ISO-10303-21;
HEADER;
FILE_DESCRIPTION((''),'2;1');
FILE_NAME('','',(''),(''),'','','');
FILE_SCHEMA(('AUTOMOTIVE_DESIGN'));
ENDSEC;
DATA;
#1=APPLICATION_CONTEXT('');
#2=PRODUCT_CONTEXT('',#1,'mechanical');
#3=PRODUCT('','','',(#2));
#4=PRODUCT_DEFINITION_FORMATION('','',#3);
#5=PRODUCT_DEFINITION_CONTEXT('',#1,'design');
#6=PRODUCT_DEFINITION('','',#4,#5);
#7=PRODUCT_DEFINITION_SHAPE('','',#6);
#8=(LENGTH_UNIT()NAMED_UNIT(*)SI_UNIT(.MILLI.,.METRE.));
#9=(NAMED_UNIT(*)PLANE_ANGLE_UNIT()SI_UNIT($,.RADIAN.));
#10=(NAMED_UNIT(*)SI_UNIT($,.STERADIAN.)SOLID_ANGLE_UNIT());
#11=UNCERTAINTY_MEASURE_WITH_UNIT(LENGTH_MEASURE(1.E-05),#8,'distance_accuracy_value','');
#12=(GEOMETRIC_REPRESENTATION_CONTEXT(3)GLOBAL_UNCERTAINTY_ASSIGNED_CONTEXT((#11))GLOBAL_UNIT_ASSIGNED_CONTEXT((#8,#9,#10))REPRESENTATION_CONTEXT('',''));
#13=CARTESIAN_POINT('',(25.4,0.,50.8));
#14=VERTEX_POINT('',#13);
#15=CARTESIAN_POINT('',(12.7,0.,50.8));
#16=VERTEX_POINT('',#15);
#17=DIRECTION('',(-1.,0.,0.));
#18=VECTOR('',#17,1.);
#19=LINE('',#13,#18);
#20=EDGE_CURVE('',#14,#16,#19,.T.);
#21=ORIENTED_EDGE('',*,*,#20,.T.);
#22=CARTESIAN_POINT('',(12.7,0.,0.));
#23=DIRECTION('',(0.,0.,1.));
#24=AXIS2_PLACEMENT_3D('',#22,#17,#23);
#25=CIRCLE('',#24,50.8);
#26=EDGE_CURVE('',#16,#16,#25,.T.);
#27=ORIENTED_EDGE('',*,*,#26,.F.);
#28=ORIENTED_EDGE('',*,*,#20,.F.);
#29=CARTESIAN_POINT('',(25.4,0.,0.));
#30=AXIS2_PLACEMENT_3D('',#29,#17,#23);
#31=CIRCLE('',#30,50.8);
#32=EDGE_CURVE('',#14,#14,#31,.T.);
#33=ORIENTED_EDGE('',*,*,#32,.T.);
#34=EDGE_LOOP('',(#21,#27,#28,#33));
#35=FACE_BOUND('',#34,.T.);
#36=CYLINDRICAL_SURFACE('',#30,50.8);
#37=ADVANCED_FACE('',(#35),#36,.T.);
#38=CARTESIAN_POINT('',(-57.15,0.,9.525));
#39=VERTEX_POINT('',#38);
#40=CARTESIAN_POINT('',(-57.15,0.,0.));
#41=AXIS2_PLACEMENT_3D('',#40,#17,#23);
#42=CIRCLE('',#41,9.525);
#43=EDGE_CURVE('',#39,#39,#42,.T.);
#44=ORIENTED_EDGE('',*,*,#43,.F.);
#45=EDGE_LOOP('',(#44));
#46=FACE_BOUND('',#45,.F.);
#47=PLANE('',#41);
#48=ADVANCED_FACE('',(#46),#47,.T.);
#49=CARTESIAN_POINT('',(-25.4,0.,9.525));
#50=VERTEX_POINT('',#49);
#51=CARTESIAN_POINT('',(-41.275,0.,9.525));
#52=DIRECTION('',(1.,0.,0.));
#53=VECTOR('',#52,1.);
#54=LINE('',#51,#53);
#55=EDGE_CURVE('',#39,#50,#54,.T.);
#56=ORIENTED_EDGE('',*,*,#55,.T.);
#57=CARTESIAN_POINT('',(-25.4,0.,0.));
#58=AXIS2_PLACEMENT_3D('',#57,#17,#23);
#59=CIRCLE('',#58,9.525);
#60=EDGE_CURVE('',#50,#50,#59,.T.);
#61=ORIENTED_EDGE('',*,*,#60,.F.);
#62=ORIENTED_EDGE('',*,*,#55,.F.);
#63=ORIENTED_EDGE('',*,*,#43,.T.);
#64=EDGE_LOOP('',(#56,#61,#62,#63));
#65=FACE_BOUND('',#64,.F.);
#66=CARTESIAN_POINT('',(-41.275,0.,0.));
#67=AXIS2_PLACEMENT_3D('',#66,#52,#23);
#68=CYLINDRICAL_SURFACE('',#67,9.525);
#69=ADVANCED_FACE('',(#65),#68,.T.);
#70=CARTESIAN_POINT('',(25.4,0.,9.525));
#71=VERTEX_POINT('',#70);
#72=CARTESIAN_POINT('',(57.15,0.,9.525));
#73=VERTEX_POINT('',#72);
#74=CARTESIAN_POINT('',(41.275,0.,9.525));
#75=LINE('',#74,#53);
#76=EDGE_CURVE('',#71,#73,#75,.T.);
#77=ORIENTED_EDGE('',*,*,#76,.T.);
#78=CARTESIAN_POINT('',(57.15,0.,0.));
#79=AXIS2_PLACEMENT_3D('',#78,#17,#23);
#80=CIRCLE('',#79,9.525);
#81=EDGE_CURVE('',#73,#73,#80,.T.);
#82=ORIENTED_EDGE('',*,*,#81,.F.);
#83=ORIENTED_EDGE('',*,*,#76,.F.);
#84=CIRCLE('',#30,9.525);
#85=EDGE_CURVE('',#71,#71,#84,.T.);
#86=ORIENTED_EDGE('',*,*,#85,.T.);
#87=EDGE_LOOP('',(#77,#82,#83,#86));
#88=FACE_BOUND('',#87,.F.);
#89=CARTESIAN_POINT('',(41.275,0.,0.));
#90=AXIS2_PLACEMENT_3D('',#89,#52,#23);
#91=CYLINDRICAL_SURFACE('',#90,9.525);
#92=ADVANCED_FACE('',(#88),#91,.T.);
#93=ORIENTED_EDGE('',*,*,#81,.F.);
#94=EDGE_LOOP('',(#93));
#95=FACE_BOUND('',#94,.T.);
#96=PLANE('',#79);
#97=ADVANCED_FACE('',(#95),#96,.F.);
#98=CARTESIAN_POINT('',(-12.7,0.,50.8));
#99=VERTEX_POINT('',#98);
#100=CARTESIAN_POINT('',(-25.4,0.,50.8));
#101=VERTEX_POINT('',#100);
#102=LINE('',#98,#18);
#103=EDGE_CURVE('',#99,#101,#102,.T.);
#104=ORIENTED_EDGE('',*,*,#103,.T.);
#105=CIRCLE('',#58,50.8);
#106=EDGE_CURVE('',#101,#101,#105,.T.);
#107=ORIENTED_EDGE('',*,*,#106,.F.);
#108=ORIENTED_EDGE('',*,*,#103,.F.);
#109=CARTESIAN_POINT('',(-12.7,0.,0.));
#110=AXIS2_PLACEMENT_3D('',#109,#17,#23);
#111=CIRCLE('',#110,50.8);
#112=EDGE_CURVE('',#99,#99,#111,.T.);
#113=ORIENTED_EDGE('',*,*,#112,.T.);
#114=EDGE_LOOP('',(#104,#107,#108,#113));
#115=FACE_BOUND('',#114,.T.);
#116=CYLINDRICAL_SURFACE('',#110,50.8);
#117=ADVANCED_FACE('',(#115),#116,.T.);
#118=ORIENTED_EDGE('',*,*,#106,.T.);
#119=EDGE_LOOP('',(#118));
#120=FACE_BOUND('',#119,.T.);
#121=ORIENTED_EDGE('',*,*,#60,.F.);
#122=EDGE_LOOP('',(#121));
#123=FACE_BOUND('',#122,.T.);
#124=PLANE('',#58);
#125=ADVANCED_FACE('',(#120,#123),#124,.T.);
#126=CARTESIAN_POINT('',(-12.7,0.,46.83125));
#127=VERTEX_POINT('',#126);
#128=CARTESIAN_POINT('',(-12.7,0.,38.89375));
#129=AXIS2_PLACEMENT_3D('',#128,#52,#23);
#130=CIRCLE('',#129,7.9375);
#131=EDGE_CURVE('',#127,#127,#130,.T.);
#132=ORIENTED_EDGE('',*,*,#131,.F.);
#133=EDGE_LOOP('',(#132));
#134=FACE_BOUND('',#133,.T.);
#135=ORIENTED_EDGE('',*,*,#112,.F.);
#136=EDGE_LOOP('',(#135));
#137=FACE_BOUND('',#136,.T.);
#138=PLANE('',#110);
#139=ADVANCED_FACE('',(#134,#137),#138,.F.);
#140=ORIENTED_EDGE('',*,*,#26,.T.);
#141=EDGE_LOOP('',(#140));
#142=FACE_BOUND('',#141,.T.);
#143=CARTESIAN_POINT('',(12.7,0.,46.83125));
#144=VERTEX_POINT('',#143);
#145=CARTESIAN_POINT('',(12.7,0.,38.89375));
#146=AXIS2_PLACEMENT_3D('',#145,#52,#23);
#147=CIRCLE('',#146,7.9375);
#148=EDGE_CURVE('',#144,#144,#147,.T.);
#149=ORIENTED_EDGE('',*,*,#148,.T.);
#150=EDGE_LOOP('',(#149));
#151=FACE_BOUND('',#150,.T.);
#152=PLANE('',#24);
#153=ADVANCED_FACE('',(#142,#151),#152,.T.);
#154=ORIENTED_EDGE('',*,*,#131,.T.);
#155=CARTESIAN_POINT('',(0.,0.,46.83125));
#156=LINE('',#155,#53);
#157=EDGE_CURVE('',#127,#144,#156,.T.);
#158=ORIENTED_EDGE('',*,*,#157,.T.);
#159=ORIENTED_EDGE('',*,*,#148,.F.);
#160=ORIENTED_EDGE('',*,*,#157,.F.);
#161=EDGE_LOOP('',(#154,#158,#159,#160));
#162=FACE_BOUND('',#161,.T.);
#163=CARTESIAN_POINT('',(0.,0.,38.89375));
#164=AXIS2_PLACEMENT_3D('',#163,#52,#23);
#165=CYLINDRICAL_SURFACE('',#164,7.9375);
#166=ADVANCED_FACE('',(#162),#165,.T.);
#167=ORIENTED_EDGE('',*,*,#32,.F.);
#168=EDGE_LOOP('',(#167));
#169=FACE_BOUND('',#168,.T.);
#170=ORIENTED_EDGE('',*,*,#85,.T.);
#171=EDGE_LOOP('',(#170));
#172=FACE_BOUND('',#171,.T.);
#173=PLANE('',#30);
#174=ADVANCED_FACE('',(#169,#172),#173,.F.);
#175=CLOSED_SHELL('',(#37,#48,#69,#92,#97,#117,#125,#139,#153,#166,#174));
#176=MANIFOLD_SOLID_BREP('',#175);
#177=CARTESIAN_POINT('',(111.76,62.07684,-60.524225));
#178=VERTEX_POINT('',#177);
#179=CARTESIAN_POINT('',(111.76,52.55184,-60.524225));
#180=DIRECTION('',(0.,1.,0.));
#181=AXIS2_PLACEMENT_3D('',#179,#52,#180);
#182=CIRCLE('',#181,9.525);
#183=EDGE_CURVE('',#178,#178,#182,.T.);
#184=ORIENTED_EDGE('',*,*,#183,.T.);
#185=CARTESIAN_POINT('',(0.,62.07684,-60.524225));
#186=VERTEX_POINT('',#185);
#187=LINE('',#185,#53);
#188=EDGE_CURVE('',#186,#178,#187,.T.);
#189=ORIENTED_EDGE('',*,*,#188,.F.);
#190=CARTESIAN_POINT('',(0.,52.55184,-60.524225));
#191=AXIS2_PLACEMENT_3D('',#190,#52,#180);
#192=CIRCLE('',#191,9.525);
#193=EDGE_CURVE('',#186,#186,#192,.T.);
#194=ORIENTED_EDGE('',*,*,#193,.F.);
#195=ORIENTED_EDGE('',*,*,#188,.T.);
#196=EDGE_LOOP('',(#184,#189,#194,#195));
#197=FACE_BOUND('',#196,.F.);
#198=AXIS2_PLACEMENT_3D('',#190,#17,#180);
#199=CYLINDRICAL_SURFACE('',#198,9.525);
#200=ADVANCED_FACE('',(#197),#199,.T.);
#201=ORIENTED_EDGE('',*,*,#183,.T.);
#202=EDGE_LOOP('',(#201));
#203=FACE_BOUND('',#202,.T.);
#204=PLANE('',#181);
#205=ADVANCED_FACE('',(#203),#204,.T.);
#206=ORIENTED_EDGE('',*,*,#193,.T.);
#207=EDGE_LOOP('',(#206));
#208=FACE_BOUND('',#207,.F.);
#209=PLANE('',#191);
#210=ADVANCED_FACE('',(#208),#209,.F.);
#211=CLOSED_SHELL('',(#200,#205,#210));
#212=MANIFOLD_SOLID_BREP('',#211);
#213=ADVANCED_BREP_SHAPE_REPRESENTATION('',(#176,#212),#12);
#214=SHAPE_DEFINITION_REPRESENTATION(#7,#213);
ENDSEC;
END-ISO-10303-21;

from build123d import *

# Parameters (mm, degrees)
F0_W     = 31.75
F0_H     = 9.525
F2_W     = 25.4
F2_H     = 7.9375
F4_R     = 9.525
F5_DEPTH = 111.76


with BuildPart() as f1:
    # F0 (on Front) → F1 (revolve)
    with BuildSketch(Plane.XZ):
        with Locations((-41.275, 4.7625)):
            Rectangle(F0_W, F0_H)
        Polygon((-25.4, 9.525), (-25.4, 0), (-12.7, 0), (-12.7, 38.89375), (-12.7, 46.83125), (-12.7, 50.8), (-25.4, 50.8), align=None)
    revolve(axis=Axis((-41.275, 0, 0), (-1, 0, 0)))



with BuildPart() as f1b:
    # F0 (on Front) → F1, piece 2 (revolve)
    with BuildSketch(Plane.XZ):
        Polygon((12.7, 46.83125), (12.7, 38.89375), (12.7, 0), (25.4, 0), (25.4, 9.525), (25.4, 50.8), (12.7, 50.8), align=None)
        with Locations((41.275, 4.7625)):
            Rectangle(F0_W, F0_H)
    revolve(axis=Axis((-41.275, 0, 0), (-1, 0, 0)))


with BuildPart() as f1_1:
    add(f1.part)

    add(f1b.part)  # F3 merges F1b
    # F2 (on Front) → F3 (revolve)
    with BuildSketch(Plane.XZ):
        with Locations((0, 42.8625)):
            Rectangle(F2_W, F2_H)
    revolve(axis=Axis((0, 0, 38.89375), (1, 0, 0)))


with BuildPart() as f5:
    # F4 (on Right) → F5 (new body)
    with BuildSketch(Plane.YZ):
        with Locations((52.5518395007, -60.524225235)):
            Circle(F4_R)
    extrude(amount=F5_DEPTH)


solid = Compound([f1_1.part, f5.part])
